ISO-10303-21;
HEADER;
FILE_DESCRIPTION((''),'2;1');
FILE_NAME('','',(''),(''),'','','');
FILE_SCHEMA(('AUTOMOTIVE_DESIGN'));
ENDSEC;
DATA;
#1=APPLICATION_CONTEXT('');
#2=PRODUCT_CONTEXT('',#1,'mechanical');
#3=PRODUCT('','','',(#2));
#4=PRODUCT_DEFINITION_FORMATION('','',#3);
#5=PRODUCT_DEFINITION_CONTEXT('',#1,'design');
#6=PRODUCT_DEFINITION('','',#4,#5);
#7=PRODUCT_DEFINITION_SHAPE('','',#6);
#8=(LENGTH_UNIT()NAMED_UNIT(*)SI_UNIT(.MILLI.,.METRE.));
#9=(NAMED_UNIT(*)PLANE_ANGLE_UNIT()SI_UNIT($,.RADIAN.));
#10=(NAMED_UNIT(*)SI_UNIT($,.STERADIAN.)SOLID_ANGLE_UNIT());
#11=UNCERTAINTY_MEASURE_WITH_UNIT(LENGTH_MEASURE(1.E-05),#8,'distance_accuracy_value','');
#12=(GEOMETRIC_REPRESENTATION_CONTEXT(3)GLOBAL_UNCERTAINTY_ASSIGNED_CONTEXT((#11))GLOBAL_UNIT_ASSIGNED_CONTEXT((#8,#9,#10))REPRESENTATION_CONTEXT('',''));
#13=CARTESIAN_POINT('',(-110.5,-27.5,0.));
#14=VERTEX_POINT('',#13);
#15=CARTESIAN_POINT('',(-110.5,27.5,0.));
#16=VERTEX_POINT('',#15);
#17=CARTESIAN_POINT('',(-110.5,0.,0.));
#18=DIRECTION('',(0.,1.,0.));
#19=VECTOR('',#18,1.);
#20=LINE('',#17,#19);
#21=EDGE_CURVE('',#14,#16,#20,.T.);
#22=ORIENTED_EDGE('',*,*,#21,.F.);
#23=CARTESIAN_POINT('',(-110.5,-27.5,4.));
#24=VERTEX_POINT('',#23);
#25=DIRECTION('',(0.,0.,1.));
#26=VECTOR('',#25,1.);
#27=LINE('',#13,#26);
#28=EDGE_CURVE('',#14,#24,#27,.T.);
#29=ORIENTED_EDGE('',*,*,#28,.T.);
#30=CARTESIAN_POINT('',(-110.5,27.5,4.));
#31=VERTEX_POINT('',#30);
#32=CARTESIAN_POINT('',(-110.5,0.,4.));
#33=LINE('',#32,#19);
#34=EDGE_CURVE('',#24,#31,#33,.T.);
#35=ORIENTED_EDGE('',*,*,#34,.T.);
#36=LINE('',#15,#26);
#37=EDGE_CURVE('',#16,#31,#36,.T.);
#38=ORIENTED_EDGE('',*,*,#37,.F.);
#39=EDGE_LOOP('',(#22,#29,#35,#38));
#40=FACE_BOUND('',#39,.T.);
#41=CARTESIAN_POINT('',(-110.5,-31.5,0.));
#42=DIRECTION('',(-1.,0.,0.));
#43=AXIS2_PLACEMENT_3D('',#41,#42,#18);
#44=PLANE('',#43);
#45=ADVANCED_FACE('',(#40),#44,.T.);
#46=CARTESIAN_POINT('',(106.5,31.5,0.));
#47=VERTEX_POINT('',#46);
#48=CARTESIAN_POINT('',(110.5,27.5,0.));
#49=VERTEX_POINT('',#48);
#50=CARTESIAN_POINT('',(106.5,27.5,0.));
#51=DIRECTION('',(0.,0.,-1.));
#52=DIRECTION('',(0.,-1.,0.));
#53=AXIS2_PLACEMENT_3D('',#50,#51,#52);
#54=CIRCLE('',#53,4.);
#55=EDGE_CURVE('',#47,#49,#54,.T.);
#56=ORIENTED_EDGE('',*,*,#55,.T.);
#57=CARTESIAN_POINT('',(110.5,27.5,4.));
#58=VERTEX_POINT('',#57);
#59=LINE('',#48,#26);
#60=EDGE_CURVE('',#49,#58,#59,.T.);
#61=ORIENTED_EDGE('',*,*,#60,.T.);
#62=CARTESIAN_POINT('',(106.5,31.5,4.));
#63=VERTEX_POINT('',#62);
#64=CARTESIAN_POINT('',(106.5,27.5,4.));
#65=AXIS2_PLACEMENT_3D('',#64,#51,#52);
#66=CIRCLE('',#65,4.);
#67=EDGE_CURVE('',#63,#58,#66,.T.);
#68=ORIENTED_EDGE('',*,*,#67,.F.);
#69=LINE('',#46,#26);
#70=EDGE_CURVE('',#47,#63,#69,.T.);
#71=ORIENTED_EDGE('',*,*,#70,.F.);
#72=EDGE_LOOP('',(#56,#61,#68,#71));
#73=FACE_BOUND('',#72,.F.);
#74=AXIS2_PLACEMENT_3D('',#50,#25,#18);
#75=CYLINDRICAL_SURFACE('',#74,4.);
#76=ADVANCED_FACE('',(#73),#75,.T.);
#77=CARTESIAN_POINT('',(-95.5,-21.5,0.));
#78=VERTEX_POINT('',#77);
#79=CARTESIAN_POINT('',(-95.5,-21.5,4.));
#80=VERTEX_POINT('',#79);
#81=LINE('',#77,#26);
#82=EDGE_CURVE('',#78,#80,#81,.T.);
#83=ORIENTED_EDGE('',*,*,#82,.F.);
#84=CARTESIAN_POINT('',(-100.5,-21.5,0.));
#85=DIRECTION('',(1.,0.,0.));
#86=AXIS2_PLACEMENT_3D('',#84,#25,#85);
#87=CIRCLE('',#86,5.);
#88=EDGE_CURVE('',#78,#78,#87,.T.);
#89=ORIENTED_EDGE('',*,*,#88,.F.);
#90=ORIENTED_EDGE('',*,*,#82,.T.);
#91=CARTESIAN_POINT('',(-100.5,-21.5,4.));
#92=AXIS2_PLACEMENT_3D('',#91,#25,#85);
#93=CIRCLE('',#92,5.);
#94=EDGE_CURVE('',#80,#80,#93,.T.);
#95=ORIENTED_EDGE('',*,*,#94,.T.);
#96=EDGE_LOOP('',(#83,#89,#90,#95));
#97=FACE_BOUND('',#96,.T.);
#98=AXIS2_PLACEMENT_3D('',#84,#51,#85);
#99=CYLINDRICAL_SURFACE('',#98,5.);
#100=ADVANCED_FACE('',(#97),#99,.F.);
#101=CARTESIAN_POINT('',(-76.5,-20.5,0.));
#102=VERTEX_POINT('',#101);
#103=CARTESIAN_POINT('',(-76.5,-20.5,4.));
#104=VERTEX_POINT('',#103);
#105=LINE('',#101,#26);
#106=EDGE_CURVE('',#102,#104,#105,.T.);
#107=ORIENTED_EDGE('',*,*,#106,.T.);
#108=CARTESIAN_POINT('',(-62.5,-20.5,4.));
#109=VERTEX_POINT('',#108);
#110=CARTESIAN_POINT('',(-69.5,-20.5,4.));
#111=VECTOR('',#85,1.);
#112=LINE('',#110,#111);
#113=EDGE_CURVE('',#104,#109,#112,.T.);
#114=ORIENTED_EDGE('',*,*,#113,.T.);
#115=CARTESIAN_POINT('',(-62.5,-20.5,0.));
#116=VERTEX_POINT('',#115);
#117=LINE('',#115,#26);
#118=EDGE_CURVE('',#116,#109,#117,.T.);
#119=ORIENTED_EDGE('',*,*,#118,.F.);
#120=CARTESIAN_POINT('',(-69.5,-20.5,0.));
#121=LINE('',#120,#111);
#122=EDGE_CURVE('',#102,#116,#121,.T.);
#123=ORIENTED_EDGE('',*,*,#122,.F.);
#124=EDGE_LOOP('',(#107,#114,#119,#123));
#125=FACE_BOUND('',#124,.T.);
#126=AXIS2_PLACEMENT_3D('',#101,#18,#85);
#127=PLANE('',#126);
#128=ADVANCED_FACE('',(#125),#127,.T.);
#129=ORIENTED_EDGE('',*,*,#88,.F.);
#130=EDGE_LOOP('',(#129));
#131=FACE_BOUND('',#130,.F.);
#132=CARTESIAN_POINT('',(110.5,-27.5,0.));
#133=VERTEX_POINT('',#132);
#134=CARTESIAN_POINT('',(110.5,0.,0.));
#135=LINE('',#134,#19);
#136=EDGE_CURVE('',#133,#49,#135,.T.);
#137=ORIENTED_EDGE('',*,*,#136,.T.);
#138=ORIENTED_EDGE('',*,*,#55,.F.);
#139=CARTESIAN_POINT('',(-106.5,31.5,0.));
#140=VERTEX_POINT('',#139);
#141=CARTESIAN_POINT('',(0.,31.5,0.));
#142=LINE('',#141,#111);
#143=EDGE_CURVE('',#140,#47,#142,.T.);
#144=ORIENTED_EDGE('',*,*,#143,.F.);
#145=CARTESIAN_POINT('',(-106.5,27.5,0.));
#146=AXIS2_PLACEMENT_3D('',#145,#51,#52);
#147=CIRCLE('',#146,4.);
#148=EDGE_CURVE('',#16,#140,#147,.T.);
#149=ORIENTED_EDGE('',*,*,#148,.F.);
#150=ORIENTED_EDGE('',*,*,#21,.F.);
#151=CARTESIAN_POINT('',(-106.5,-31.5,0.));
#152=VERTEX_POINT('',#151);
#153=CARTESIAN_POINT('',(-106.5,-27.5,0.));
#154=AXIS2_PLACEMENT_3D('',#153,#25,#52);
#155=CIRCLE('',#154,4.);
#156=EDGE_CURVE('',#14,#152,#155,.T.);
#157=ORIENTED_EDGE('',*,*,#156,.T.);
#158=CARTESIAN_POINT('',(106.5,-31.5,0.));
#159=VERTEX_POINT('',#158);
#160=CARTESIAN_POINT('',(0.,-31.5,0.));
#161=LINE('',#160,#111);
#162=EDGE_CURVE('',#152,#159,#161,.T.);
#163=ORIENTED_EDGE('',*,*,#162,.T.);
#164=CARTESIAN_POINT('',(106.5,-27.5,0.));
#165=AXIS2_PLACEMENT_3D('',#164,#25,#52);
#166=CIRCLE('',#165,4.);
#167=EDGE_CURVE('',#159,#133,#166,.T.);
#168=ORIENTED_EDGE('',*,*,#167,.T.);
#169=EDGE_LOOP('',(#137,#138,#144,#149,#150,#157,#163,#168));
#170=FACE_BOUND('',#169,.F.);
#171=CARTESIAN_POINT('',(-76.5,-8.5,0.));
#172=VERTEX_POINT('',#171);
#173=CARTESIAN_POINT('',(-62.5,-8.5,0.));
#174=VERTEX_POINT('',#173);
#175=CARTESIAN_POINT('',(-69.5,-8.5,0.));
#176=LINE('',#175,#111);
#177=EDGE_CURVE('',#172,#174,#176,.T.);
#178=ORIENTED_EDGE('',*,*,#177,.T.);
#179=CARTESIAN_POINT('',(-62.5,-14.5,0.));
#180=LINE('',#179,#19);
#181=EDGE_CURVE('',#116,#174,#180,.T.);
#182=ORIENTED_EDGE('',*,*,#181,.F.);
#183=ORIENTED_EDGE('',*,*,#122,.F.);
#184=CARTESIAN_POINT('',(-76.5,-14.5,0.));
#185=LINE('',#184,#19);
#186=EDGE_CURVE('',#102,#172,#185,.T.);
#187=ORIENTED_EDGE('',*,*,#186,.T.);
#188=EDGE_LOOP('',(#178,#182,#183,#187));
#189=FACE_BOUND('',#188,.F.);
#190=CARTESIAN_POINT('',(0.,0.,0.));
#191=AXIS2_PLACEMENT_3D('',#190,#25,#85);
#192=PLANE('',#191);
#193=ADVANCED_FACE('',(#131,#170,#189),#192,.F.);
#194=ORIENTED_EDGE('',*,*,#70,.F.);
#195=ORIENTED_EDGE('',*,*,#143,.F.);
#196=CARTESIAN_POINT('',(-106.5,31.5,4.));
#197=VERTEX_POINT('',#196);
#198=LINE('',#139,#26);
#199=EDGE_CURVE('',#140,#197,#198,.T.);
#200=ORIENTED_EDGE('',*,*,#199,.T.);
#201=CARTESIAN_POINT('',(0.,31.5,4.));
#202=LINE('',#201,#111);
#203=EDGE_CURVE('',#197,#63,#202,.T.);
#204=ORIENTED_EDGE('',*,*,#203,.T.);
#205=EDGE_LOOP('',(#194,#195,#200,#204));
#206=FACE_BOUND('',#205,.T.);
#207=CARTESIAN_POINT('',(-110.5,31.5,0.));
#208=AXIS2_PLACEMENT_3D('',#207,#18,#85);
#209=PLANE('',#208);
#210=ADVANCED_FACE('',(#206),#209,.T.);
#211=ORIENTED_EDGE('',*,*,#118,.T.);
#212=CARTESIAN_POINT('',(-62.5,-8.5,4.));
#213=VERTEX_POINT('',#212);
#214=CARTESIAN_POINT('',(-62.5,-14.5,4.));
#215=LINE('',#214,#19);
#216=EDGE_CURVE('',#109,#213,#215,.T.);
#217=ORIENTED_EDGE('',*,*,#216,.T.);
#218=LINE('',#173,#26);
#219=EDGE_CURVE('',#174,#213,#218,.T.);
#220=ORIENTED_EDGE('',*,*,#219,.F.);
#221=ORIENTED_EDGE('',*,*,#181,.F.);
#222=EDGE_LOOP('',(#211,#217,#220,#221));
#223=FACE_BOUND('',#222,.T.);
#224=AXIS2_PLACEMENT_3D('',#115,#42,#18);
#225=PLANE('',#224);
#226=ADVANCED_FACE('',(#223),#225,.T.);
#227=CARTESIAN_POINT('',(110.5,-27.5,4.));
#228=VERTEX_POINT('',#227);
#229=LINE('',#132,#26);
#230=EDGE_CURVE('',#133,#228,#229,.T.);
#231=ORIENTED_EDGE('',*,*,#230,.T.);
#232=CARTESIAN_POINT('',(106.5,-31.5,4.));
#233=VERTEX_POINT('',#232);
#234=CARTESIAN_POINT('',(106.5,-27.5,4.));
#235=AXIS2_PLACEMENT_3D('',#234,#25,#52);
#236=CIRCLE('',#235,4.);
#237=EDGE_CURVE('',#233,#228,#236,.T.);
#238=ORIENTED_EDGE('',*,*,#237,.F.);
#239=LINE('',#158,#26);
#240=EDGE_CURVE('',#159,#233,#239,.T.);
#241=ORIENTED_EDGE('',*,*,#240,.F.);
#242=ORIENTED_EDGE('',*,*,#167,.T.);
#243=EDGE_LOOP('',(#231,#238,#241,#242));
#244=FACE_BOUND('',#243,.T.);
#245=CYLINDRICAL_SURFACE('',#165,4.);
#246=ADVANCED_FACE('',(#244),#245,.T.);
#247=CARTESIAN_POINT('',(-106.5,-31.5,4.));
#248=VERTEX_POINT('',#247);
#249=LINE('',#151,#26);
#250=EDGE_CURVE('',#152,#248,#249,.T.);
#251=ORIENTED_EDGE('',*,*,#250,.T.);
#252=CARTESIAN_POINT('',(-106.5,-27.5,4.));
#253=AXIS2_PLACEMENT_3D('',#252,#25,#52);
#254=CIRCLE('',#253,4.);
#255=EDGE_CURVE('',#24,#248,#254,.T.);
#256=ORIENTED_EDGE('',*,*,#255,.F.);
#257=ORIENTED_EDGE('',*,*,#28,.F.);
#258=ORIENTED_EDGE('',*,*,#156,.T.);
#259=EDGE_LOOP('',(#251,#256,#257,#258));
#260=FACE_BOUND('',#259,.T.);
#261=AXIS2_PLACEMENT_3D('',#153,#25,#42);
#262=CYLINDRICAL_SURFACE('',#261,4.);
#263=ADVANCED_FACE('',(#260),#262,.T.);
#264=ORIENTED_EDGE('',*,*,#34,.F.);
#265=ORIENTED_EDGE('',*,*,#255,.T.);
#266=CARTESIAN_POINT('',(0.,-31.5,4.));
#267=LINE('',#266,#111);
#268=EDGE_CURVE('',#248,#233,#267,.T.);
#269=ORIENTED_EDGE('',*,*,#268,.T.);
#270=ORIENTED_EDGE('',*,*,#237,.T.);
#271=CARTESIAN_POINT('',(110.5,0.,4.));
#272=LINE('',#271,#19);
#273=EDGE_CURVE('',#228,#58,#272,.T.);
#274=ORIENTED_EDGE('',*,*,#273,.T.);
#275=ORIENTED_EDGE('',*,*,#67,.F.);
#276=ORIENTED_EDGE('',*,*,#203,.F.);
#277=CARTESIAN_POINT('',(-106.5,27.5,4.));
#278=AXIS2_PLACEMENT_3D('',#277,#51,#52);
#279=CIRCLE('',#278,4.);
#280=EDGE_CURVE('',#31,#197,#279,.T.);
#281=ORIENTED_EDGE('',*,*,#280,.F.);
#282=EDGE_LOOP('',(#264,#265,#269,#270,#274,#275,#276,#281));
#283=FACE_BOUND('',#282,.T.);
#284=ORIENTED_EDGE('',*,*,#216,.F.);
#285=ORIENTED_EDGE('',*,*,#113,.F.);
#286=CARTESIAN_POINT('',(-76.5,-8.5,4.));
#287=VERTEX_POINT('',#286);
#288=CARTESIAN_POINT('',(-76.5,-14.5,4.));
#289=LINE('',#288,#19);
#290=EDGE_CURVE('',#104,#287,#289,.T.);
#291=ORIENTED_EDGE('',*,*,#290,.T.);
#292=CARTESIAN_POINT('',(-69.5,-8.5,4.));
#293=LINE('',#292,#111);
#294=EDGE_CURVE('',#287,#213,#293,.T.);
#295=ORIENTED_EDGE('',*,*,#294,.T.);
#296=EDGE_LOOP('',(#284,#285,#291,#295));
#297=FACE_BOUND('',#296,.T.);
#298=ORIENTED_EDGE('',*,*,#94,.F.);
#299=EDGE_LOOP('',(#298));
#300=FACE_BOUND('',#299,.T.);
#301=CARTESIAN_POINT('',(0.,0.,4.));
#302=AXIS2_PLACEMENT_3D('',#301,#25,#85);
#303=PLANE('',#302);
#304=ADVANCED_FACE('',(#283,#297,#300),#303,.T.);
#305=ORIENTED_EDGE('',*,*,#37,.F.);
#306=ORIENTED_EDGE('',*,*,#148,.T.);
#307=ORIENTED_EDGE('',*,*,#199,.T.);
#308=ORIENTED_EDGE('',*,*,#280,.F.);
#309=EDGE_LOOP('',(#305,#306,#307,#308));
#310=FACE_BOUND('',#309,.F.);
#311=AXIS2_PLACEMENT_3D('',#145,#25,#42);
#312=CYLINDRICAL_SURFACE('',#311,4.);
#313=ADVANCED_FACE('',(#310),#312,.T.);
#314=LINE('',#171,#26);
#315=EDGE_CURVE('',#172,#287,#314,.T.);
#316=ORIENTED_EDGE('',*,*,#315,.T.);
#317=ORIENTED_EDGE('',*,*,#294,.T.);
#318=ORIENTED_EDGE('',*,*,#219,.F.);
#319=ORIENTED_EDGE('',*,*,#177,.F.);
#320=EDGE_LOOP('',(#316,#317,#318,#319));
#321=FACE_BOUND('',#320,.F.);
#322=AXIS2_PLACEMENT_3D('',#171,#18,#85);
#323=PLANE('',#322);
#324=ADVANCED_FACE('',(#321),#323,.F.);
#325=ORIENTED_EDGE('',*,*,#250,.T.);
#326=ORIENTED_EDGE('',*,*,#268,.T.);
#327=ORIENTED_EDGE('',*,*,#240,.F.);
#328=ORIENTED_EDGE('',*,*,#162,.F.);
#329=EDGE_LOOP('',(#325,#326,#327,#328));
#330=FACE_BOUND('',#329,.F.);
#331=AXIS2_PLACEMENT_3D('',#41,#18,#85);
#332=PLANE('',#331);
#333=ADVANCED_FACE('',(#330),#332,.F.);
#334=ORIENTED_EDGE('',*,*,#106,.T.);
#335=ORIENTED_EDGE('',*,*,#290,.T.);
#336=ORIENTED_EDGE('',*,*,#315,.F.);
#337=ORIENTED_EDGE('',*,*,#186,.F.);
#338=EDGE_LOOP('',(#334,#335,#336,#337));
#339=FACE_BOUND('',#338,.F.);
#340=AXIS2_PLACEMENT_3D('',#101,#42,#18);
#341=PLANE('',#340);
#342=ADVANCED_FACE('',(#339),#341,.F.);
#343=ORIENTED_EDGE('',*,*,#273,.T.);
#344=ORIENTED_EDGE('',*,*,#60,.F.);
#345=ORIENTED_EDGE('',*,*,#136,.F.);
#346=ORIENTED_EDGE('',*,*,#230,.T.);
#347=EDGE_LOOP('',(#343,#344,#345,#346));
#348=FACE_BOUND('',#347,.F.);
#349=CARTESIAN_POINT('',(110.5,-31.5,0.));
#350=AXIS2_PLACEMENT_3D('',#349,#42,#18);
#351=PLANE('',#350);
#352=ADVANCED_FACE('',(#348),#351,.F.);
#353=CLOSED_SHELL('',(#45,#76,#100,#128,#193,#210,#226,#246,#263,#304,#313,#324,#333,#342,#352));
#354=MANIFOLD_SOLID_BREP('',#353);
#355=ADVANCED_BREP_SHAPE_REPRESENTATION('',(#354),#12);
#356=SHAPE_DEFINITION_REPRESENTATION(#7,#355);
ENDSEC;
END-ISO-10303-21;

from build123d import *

# Parameters (mm, degrees)
F0_W     = 221
F0_H     = 63
F0_R     = 5
F0_W_2   = 14
F0_H_2   = 12
F1_DEPTH = 4
F2_R     = 4


with BuildPart() as f1:
    # F0 (on Top) → F1 (new body)
    with BuildSketch(Plane.XY):
        Rectangle(F0_W, F0_H)
        with Locations((-100.5, -21.5)):
            Circle(F0_R, mode=Mode.SUBTRACT)
        with Locations((-69.5, -14.5)):
            Rectangle(F0_W_2, F0_H_2, mode=Mode.SUBTRACT)
    extrude(amount=F1_DEPTH)

    # F2
    f2_edges = [f1.edges().sort_by_distance(p)[0] for p in [
        (110.5, 31.5, 2),
        (110.5, -31.5, 2),
        (-110.5, -31.5, 2),
        (-110.5, 31.5, 2),
    ]]
    fillet(f2_edges, radius=F2_R)


solid = f1.part
